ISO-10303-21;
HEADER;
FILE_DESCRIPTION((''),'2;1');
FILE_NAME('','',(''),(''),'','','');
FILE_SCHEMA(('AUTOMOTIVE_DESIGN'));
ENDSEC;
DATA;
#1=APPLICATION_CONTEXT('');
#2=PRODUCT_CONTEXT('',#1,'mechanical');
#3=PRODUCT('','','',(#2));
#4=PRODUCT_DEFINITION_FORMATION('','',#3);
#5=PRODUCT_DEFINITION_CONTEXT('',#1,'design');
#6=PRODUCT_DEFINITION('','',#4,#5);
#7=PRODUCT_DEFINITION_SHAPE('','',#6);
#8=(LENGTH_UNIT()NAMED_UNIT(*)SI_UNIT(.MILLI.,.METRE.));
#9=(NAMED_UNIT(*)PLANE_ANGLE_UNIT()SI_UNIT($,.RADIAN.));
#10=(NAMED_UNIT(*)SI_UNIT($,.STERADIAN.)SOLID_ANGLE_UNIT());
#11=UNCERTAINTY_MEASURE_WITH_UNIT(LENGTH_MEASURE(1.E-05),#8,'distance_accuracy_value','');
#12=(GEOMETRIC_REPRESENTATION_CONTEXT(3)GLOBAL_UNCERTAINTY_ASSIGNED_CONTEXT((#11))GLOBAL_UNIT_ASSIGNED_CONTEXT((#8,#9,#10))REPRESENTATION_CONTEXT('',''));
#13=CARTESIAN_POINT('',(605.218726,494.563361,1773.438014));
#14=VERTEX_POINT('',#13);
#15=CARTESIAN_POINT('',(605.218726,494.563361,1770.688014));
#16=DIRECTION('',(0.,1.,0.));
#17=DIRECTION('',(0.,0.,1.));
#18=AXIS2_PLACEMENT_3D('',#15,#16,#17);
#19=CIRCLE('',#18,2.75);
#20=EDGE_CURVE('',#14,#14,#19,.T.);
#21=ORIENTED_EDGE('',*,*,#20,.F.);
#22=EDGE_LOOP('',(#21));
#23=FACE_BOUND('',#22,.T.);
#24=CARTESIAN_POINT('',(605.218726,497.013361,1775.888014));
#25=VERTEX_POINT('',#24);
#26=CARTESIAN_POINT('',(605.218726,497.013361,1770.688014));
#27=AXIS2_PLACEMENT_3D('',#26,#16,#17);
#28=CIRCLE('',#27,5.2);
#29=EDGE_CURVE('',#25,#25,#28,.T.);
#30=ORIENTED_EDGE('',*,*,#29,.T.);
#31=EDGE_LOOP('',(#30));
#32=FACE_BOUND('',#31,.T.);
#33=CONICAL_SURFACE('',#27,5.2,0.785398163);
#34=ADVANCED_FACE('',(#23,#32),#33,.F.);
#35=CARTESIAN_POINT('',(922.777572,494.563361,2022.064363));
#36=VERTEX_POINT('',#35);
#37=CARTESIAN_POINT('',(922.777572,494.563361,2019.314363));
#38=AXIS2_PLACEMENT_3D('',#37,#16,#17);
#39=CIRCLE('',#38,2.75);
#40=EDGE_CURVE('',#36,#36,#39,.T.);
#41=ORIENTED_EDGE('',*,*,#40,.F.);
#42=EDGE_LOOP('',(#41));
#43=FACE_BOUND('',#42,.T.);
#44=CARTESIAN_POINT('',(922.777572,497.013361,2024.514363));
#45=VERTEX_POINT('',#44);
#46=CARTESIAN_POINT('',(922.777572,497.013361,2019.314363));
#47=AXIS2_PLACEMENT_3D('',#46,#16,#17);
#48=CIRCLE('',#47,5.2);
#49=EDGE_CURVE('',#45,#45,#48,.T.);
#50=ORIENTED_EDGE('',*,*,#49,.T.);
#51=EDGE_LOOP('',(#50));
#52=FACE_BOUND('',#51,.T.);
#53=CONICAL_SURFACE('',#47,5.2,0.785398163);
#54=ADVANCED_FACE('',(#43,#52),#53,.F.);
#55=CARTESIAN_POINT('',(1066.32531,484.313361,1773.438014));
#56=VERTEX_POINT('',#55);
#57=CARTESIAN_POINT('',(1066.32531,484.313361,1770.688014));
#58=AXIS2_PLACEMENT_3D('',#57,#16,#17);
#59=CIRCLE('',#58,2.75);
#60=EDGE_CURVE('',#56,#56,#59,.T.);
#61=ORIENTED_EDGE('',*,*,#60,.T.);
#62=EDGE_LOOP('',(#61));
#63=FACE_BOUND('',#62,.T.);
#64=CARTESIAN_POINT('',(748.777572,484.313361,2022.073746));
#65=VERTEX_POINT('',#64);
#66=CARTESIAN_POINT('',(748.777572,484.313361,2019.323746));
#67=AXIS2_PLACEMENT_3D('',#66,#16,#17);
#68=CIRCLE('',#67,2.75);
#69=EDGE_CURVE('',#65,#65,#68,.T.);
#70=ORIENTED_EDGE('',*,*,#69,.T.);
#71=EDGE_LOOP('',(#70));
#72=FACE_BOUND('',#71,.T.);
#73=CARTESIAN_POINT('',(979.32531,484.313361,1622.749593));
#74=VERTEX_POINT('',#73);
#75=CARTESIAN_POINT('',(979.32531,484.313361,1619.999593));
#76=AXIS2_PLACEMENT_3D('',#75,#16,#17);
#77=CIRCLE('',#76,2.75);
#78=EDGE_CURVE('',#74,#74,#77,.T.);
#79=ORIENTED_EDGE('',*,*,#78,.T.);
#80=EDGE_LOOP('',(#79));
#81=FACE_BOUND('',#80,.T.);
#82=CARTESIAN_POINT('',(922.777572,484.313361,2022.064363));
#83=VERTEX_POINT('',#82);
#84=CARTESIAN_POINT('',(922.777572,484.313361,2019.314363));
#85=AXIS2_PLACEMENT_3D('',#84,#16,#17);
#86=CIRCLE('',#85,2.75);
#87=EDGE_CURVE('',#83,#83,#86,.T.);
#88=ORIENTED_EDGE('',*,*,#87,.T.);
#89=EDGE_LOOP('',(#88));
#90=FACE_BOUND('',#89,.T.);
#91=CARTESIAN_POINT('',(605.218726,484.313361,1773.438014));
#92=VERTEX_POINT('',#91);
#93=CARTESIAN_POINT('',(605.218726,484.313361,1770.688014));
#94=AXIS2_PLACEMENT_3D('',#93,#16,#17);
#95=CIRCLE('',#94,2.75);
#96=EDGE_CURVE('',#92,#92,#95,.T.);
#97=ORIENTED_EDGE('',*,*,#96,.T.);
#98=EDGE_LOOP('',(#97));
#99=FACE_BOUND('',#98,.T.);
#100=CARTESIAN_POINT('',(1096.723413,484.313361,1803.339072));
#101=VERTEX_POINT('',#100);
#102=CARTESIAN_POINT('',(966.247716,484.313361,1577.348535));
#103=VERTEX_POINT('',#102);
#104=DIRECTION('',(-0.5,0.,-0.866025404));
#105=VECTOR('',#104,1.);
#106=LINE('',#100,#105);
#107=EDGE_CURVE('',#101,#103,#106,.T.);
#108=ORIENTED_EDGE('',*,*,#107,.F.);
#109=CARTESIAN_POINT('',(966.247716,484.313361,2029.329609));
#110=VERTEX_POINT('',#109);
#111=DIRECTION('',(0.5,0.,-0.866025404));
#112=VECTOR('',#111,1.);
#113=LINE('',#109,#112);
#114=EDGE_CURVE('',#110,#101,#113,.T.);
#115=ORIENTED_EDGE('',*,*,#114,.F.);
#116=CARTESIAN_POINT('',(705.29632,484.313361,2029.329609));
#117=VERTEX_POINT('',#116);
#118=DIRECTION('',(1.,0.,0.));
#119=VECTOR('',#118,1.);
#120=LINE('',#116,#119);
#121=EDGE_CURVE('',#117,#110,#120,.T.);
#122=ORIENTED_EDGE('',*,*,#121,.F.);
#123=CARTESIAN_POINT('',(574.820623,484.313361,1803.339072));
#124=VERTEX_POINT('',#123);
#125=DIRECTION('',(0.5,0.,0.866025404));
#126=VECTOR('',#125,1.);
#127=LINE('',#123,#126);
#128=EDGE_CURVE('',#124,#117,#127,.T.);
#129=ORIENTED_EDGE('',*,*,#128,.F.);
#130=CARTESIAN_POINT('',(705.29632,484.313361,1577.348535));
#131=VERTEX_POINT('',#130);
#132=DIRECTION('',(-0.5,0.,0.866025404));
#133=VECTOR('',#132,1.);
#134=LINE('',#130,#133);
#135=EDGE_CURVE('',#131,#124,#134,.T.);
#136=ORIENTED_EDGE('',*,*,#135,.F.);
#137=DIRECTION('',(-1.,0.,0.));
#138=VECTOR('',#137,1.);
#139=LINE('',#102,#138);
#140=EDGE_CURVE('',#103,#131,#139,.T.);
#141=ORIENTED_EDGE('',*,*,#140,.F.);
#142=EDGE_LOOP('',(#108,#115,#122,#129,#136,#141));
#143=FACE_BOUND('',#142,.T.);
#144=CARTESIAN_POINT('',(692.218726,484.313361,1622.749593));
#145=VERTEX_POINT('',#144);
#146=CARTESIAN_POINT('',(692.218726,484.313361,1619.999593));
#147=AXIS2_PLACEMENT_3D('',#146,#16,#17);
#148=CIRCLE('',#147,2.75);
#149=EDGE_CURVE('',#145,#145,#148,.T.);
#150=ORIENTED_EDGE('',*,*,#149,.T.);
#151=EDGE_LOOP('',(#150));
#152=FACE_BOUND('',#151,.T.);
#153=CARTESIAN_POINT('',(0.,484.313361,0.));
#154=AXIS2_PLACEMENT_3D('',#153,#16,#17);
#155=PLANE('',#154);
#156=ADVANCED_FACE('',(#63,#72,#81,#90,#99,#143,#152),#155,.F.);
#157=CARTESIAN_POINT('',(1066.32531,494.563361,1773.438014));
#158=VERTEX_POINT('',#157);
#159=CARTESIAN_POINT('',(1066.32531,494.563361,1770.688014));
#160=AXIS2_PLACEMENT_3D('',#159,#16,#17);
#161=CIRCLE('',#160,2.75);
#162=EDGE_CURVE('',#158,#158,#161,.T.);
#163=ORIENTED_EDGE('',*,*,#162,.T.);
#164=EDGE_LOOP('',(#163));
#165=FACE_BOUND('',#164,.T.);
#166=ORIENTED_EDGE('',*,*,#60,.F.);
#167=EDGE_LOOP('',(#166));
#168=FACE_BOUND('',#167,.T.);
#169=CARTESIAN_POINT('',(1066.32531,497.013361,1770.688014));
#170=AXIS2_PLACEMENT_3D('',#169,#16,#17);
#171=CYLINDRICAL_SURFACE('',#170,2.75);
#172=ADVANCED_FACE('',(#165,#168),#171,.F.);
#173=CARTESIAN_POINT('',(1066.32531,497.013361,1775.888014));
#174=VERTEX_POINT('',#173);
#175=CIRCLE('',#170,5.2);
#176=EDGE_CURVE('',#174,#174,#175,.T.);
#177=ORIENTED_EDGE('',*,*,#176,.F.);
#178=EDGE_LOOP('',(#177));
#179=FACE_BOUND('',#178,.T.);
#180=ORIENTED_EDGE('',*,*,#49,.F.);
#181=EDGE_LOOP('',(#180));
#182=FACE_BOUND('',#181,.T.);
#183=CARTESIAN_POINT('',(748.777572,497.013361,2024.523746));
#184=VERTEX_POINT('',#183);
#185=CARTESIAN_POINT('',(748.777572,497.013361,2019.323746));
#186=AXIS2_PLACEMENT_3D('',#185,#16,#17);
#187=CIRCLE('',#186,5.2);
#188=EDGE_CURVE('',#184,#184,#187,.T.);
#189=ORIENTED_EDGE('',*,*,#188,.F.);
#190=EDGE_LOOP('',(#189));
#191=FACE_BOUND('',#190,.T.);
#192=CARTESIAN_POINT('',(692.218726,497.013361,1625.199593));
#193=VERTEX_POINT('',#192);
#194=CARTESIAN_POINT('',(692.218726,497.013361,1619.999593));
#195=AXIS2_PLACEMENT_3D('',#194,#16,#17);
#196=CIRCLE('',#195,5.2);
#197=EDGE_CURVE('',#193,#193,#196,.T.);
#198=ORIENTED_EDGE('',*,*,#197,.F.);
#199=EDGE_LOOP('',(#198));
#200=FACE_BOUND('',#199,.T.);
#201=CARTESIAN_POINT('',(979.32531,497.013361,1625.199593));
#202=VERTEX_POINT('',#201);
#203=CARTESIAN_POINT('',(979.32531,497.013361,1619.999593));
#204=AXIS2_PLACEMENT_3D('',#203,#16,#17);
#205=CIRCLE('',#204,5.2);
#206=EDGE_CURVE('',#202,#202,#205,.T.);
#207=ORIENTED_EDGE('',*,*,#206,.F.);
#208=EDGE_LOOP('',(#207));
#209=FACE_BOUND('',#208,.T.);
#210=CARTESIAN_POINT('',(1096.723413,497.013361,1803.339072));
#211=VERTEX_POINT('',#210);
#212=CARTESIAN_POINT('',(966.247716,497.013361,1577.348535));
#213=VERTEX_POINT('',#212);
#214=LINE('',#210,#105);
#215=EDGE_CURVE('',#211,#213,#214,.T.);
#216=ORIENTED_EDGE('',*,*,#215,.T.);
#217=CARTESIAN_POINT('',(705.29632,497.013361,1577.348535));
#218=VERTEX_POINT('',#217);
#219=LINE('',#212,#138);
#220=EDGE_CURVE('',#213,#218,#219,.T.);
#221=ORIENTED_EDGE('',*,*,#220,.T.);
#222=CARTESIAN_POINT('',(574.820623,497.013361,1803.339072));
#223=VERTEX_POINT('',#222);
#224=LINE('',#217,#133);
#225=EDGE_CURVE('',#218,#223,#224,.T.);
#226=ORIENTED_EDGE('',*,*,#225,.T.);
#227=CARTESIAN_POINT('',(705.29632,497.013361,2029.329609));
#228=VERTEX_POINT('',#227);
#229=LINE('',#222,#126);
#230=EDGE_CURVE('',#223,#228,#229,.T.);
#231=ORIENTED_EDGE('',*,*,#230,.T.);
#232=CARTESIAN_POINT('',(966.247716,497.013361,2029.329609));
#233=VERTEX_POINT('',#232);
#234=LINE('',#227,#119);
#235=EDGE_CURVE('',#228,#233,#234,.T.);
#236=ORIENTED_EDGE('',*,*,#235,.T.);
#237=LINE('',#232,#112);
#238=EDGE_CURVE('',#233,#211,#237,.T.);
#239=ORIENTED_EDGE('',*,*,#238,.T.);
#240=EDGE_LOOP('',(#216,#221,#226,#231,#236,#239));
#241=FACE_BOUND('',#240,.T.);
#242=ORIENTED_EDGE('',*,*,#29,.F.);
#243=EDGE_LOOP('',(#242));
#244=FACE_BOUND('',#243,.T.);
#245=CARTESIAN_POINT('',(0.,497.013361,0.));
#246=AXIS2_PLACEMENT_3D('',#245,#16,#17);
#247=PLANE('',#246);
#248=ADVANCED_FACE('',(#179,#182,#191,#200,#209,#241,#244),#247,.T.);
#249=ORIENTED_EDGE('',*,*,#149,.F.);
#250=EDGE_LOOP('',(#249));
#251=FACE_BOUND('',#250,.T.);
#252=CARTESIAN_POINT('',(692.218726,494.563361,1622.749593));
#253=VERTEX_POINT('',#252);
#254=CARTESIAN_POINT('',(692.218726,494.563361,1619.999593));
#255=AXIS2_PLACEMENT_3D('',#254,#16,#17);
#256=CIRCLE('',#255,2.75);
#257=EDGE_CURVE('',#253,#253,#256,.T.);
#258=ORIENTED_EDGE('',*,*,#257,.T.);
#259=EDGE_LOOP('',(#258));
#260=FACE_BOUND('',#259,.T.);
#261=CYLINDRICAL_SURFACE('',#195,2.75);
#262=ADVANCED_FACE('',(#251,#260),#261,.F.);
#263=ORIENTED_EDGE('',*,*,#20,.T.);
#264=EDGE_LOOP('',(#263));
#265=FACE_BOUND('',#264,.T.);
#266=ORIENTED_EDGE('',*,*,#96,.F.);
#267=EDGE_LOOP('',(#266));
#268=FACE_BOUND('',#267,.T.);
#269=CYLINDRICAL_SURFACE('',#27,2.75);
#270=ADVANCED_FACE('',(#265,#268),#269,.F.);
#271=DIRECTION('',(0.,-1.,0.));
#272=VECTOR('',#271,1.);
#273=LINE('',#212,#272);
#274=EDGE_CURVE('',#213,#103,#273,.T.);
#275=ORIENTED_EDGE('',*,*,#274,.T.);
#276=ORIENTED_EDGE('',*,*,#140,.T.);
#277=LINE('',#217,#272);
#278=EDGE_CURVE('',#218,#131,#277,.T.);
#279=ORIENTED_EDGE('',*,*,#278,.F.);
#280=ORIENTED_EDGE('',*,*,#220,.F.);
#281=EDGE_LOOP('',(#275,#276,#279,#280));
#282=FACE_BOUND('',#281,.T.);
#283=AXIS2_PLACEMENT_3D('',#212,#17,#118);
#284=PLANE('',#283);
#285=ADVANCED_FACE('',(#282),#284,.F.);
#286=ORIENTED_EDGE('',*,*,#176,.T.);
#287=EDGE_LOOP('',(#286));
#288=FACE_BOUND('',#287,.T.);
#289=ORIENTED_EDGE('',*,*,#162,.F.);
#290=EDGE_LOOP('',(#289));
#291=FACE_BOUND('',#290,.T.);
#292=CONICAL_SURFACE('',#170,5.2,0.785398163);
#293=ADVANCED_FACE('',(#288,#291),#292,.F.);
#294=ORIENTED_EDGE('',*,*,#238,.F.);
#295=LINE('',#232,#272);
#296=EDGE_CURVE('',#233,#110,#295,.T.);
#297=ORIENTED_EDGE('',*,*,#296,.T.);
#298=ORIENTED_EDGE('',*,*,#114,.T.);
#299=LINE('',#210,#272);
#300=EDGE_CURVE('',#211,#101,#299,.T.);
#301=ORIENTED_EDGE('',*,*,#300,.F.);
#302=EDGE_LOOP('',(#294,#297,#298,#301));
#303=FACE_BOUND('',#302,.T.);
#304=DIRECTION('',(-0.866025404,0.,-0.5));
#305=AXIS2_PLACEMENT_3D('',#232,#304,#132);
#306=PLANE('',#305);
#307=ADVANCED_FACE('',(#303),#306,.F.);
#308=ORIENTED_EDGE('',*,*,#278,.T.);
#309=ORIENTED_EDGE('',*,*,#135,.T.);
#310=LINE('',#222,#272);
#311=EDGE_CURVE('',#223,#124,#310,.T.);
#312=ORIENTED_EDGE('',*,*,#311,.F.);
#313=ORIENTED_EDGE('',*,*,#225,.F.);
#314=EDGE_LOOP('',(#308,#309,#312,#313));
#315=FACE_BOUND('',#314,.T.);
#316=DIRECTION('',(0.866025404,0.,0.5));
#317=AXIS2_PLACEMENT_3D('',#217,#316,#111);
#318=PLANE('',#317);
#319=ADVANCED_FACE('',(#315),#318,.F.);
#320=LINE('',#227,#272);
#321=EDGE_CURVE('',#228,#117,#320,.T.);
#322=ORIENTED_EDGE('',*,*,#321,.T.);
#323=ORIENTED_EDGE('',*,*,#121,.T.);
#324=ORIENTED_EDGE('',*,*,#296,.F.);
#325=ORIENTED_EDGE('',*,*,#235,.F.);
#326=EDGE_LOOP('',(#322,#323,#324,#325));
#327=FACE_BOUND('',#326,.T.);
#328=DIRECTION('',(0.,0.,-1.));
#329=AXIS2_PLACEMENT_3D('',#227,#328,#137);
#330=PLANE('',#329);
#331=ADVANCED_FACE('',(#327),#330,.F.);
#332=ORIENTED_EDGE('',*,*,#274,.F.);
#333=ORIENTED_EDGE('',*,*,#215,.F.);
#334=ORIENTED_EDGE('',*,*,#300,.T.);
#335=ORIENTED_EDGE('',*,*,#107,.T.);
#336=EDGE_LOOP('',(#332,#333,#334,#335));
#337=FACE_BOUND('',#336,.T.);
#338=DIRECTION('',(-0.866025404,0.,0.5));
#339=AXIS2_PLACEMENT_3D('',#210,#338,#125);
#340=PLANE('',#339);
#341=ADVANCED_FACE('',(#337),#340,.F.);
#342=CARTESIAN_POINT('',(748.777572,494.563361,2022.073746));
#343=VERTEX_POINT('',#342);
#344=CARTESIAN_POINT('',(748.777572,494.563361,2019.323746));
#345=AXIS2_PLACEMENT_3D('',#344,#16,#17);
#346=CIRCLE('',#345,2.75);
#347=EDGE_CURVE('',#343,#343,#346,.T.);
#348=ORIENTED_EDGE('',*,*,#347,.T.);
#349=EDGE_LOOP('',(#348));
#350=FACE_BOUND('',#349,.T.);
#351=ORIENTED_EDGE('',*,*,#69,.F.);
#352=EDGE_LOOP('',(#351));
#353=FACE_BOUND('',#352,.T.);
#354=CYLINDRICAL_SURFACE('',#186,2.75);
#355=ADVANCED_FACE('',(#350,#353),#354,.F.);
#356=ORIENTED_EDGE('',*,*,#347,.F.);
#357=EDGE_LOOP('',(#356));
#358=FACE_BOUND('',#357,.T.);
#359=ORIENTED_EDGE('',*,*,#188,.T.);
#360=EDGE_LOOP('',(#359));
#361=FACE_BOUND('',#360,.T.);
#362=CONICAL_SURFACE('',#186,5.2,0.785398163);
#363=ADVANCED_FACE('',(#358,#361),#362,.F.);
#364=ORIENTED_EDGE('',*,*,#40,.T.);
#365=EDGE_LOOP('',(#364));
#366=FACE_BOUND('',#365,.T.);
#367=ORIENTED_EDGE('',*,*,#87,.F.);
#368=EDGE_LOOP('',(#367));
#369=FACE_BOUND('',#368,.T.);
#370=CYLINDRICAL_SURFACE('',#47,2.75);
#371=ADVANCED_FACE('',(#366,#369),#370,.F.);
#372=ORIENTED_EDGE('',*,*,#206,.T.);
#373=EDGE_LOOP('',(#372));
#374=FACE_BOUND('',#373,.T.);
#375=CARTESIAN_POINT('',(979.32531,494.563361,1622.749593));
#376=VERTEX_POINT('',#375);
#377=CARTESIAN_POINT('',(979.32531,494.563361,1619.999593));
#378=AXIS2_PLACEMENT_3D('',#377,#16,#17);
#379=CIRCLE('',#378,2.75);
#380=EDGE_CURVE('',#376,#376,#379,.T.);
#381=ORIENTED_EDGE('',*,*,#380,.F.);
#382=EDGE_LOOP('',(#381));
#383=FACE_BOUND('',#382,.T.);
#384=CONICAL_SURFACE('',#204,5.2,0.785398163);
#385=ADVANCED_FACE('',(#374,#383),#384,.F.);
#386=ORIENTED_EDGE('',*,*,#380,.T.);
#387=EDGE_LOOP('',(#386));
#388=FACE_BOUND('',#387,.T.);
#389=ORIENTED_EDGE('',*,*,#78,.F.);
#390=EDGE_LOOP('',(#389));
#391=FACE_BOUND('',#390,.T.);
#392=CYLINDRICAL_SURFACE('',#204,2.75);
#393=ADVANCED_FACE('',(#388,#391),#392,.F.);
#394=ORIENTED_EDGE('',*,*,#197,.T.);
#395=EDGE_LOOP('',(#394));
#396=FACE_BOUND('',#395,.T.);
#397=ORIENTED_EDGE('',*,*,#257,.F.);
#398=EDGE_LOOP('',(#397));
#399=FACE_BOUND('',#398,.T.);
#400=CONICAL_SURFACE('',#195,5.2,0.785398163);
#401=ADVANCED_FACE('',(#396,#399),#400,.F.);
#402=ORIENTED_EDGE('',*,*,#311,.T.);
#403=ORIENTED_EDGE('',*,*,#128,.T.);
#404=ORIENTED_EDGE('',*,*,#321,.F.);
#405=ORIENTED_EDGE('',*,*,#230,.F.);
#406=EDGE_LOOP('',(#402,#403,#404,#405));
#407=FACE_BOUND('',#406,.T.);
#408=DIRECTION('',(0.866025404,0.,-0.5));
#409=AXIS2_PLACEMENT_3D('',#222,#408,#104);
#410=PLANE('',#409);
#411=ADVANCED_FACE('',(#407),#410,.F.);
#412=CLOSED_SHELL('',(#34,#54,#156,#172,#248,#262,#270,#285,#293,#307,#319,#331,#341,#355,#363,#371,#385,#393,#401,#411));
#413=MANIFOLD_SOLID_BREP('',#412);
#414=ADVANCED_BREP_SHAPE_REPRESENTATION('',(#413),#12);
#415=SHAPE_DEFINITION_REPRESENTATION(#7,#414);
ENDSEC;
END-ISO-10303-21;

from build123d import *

# Parameters (mm, degrees)
BOSS_EXTRUDE1_DEPTH                             = 12.7
CSK_FOR_M5_FLAT_HEAD_MACHINE_SCREW1_D           = 5.5
CSK_FOR_M5_FLAT_HEAD_MACHINE_SCREW1_DEPTH       = 12.7
CSK_FOR_M5_FLAT_HEAD_MACHINE_SCREW1_CSINK_D     = 10.4
CSK_FOR_M5_FLAT_HEAD_MACHINE_SCREW1_CSINK_ANGLE = 90


with BuildPart() as part:
    # Sketch1 → Boss-Extrude1 (new body)
    with BuildSketch(Plane(origin=(0, 484.313360873, 0), x_dir=(1, 0, 0), z_dir=(0, 1, 0))):
        Polygon((1096.723413016, -1803.339072227), (966.247715506, -1577.348534986), (705.296320486, -1577.348534986), (574.820622976, -1803.339072227), (705.296320486, -2029.329609468), (966.247715506, -2029.329609468), align=None)
    extrude(amount=BOSS_EXTRUDE1_DEPTH)

    # CSK for M5 Flat Head Machine Screw1
    with Locations(Plane(origin=(0, 497.013360873, 0), x_dir=(1, 0, 0), z_dir=(0, 1, 0))):
        with Locations((605.218725769, -1770.688013736), (692.218725769, -1619.999593477), (979.325310224, -1619.999593477), (1066.325310224, -1770.688013736), (748.77757228, -2019.323746494), (922.777572027, -2019.31436283)):
            CounterSinkHole(CSK_FOR_M5_FLAT_HEAD_MACHINE_SCREW1_D / 2, CSK_FOR_M5_FLAT_HEAD_MACHINE_SCREW1_CSINK_D / 2, depth=CSK_FOR_M5_FLAT_HEAD_MACHINE_SCREW1_DEPTH, counter_sink_angle=CSK_FOR_M5_FLAT_HEAD_MACHINE_SCREW1_CSINK_ANGLE)


solid = part.part
